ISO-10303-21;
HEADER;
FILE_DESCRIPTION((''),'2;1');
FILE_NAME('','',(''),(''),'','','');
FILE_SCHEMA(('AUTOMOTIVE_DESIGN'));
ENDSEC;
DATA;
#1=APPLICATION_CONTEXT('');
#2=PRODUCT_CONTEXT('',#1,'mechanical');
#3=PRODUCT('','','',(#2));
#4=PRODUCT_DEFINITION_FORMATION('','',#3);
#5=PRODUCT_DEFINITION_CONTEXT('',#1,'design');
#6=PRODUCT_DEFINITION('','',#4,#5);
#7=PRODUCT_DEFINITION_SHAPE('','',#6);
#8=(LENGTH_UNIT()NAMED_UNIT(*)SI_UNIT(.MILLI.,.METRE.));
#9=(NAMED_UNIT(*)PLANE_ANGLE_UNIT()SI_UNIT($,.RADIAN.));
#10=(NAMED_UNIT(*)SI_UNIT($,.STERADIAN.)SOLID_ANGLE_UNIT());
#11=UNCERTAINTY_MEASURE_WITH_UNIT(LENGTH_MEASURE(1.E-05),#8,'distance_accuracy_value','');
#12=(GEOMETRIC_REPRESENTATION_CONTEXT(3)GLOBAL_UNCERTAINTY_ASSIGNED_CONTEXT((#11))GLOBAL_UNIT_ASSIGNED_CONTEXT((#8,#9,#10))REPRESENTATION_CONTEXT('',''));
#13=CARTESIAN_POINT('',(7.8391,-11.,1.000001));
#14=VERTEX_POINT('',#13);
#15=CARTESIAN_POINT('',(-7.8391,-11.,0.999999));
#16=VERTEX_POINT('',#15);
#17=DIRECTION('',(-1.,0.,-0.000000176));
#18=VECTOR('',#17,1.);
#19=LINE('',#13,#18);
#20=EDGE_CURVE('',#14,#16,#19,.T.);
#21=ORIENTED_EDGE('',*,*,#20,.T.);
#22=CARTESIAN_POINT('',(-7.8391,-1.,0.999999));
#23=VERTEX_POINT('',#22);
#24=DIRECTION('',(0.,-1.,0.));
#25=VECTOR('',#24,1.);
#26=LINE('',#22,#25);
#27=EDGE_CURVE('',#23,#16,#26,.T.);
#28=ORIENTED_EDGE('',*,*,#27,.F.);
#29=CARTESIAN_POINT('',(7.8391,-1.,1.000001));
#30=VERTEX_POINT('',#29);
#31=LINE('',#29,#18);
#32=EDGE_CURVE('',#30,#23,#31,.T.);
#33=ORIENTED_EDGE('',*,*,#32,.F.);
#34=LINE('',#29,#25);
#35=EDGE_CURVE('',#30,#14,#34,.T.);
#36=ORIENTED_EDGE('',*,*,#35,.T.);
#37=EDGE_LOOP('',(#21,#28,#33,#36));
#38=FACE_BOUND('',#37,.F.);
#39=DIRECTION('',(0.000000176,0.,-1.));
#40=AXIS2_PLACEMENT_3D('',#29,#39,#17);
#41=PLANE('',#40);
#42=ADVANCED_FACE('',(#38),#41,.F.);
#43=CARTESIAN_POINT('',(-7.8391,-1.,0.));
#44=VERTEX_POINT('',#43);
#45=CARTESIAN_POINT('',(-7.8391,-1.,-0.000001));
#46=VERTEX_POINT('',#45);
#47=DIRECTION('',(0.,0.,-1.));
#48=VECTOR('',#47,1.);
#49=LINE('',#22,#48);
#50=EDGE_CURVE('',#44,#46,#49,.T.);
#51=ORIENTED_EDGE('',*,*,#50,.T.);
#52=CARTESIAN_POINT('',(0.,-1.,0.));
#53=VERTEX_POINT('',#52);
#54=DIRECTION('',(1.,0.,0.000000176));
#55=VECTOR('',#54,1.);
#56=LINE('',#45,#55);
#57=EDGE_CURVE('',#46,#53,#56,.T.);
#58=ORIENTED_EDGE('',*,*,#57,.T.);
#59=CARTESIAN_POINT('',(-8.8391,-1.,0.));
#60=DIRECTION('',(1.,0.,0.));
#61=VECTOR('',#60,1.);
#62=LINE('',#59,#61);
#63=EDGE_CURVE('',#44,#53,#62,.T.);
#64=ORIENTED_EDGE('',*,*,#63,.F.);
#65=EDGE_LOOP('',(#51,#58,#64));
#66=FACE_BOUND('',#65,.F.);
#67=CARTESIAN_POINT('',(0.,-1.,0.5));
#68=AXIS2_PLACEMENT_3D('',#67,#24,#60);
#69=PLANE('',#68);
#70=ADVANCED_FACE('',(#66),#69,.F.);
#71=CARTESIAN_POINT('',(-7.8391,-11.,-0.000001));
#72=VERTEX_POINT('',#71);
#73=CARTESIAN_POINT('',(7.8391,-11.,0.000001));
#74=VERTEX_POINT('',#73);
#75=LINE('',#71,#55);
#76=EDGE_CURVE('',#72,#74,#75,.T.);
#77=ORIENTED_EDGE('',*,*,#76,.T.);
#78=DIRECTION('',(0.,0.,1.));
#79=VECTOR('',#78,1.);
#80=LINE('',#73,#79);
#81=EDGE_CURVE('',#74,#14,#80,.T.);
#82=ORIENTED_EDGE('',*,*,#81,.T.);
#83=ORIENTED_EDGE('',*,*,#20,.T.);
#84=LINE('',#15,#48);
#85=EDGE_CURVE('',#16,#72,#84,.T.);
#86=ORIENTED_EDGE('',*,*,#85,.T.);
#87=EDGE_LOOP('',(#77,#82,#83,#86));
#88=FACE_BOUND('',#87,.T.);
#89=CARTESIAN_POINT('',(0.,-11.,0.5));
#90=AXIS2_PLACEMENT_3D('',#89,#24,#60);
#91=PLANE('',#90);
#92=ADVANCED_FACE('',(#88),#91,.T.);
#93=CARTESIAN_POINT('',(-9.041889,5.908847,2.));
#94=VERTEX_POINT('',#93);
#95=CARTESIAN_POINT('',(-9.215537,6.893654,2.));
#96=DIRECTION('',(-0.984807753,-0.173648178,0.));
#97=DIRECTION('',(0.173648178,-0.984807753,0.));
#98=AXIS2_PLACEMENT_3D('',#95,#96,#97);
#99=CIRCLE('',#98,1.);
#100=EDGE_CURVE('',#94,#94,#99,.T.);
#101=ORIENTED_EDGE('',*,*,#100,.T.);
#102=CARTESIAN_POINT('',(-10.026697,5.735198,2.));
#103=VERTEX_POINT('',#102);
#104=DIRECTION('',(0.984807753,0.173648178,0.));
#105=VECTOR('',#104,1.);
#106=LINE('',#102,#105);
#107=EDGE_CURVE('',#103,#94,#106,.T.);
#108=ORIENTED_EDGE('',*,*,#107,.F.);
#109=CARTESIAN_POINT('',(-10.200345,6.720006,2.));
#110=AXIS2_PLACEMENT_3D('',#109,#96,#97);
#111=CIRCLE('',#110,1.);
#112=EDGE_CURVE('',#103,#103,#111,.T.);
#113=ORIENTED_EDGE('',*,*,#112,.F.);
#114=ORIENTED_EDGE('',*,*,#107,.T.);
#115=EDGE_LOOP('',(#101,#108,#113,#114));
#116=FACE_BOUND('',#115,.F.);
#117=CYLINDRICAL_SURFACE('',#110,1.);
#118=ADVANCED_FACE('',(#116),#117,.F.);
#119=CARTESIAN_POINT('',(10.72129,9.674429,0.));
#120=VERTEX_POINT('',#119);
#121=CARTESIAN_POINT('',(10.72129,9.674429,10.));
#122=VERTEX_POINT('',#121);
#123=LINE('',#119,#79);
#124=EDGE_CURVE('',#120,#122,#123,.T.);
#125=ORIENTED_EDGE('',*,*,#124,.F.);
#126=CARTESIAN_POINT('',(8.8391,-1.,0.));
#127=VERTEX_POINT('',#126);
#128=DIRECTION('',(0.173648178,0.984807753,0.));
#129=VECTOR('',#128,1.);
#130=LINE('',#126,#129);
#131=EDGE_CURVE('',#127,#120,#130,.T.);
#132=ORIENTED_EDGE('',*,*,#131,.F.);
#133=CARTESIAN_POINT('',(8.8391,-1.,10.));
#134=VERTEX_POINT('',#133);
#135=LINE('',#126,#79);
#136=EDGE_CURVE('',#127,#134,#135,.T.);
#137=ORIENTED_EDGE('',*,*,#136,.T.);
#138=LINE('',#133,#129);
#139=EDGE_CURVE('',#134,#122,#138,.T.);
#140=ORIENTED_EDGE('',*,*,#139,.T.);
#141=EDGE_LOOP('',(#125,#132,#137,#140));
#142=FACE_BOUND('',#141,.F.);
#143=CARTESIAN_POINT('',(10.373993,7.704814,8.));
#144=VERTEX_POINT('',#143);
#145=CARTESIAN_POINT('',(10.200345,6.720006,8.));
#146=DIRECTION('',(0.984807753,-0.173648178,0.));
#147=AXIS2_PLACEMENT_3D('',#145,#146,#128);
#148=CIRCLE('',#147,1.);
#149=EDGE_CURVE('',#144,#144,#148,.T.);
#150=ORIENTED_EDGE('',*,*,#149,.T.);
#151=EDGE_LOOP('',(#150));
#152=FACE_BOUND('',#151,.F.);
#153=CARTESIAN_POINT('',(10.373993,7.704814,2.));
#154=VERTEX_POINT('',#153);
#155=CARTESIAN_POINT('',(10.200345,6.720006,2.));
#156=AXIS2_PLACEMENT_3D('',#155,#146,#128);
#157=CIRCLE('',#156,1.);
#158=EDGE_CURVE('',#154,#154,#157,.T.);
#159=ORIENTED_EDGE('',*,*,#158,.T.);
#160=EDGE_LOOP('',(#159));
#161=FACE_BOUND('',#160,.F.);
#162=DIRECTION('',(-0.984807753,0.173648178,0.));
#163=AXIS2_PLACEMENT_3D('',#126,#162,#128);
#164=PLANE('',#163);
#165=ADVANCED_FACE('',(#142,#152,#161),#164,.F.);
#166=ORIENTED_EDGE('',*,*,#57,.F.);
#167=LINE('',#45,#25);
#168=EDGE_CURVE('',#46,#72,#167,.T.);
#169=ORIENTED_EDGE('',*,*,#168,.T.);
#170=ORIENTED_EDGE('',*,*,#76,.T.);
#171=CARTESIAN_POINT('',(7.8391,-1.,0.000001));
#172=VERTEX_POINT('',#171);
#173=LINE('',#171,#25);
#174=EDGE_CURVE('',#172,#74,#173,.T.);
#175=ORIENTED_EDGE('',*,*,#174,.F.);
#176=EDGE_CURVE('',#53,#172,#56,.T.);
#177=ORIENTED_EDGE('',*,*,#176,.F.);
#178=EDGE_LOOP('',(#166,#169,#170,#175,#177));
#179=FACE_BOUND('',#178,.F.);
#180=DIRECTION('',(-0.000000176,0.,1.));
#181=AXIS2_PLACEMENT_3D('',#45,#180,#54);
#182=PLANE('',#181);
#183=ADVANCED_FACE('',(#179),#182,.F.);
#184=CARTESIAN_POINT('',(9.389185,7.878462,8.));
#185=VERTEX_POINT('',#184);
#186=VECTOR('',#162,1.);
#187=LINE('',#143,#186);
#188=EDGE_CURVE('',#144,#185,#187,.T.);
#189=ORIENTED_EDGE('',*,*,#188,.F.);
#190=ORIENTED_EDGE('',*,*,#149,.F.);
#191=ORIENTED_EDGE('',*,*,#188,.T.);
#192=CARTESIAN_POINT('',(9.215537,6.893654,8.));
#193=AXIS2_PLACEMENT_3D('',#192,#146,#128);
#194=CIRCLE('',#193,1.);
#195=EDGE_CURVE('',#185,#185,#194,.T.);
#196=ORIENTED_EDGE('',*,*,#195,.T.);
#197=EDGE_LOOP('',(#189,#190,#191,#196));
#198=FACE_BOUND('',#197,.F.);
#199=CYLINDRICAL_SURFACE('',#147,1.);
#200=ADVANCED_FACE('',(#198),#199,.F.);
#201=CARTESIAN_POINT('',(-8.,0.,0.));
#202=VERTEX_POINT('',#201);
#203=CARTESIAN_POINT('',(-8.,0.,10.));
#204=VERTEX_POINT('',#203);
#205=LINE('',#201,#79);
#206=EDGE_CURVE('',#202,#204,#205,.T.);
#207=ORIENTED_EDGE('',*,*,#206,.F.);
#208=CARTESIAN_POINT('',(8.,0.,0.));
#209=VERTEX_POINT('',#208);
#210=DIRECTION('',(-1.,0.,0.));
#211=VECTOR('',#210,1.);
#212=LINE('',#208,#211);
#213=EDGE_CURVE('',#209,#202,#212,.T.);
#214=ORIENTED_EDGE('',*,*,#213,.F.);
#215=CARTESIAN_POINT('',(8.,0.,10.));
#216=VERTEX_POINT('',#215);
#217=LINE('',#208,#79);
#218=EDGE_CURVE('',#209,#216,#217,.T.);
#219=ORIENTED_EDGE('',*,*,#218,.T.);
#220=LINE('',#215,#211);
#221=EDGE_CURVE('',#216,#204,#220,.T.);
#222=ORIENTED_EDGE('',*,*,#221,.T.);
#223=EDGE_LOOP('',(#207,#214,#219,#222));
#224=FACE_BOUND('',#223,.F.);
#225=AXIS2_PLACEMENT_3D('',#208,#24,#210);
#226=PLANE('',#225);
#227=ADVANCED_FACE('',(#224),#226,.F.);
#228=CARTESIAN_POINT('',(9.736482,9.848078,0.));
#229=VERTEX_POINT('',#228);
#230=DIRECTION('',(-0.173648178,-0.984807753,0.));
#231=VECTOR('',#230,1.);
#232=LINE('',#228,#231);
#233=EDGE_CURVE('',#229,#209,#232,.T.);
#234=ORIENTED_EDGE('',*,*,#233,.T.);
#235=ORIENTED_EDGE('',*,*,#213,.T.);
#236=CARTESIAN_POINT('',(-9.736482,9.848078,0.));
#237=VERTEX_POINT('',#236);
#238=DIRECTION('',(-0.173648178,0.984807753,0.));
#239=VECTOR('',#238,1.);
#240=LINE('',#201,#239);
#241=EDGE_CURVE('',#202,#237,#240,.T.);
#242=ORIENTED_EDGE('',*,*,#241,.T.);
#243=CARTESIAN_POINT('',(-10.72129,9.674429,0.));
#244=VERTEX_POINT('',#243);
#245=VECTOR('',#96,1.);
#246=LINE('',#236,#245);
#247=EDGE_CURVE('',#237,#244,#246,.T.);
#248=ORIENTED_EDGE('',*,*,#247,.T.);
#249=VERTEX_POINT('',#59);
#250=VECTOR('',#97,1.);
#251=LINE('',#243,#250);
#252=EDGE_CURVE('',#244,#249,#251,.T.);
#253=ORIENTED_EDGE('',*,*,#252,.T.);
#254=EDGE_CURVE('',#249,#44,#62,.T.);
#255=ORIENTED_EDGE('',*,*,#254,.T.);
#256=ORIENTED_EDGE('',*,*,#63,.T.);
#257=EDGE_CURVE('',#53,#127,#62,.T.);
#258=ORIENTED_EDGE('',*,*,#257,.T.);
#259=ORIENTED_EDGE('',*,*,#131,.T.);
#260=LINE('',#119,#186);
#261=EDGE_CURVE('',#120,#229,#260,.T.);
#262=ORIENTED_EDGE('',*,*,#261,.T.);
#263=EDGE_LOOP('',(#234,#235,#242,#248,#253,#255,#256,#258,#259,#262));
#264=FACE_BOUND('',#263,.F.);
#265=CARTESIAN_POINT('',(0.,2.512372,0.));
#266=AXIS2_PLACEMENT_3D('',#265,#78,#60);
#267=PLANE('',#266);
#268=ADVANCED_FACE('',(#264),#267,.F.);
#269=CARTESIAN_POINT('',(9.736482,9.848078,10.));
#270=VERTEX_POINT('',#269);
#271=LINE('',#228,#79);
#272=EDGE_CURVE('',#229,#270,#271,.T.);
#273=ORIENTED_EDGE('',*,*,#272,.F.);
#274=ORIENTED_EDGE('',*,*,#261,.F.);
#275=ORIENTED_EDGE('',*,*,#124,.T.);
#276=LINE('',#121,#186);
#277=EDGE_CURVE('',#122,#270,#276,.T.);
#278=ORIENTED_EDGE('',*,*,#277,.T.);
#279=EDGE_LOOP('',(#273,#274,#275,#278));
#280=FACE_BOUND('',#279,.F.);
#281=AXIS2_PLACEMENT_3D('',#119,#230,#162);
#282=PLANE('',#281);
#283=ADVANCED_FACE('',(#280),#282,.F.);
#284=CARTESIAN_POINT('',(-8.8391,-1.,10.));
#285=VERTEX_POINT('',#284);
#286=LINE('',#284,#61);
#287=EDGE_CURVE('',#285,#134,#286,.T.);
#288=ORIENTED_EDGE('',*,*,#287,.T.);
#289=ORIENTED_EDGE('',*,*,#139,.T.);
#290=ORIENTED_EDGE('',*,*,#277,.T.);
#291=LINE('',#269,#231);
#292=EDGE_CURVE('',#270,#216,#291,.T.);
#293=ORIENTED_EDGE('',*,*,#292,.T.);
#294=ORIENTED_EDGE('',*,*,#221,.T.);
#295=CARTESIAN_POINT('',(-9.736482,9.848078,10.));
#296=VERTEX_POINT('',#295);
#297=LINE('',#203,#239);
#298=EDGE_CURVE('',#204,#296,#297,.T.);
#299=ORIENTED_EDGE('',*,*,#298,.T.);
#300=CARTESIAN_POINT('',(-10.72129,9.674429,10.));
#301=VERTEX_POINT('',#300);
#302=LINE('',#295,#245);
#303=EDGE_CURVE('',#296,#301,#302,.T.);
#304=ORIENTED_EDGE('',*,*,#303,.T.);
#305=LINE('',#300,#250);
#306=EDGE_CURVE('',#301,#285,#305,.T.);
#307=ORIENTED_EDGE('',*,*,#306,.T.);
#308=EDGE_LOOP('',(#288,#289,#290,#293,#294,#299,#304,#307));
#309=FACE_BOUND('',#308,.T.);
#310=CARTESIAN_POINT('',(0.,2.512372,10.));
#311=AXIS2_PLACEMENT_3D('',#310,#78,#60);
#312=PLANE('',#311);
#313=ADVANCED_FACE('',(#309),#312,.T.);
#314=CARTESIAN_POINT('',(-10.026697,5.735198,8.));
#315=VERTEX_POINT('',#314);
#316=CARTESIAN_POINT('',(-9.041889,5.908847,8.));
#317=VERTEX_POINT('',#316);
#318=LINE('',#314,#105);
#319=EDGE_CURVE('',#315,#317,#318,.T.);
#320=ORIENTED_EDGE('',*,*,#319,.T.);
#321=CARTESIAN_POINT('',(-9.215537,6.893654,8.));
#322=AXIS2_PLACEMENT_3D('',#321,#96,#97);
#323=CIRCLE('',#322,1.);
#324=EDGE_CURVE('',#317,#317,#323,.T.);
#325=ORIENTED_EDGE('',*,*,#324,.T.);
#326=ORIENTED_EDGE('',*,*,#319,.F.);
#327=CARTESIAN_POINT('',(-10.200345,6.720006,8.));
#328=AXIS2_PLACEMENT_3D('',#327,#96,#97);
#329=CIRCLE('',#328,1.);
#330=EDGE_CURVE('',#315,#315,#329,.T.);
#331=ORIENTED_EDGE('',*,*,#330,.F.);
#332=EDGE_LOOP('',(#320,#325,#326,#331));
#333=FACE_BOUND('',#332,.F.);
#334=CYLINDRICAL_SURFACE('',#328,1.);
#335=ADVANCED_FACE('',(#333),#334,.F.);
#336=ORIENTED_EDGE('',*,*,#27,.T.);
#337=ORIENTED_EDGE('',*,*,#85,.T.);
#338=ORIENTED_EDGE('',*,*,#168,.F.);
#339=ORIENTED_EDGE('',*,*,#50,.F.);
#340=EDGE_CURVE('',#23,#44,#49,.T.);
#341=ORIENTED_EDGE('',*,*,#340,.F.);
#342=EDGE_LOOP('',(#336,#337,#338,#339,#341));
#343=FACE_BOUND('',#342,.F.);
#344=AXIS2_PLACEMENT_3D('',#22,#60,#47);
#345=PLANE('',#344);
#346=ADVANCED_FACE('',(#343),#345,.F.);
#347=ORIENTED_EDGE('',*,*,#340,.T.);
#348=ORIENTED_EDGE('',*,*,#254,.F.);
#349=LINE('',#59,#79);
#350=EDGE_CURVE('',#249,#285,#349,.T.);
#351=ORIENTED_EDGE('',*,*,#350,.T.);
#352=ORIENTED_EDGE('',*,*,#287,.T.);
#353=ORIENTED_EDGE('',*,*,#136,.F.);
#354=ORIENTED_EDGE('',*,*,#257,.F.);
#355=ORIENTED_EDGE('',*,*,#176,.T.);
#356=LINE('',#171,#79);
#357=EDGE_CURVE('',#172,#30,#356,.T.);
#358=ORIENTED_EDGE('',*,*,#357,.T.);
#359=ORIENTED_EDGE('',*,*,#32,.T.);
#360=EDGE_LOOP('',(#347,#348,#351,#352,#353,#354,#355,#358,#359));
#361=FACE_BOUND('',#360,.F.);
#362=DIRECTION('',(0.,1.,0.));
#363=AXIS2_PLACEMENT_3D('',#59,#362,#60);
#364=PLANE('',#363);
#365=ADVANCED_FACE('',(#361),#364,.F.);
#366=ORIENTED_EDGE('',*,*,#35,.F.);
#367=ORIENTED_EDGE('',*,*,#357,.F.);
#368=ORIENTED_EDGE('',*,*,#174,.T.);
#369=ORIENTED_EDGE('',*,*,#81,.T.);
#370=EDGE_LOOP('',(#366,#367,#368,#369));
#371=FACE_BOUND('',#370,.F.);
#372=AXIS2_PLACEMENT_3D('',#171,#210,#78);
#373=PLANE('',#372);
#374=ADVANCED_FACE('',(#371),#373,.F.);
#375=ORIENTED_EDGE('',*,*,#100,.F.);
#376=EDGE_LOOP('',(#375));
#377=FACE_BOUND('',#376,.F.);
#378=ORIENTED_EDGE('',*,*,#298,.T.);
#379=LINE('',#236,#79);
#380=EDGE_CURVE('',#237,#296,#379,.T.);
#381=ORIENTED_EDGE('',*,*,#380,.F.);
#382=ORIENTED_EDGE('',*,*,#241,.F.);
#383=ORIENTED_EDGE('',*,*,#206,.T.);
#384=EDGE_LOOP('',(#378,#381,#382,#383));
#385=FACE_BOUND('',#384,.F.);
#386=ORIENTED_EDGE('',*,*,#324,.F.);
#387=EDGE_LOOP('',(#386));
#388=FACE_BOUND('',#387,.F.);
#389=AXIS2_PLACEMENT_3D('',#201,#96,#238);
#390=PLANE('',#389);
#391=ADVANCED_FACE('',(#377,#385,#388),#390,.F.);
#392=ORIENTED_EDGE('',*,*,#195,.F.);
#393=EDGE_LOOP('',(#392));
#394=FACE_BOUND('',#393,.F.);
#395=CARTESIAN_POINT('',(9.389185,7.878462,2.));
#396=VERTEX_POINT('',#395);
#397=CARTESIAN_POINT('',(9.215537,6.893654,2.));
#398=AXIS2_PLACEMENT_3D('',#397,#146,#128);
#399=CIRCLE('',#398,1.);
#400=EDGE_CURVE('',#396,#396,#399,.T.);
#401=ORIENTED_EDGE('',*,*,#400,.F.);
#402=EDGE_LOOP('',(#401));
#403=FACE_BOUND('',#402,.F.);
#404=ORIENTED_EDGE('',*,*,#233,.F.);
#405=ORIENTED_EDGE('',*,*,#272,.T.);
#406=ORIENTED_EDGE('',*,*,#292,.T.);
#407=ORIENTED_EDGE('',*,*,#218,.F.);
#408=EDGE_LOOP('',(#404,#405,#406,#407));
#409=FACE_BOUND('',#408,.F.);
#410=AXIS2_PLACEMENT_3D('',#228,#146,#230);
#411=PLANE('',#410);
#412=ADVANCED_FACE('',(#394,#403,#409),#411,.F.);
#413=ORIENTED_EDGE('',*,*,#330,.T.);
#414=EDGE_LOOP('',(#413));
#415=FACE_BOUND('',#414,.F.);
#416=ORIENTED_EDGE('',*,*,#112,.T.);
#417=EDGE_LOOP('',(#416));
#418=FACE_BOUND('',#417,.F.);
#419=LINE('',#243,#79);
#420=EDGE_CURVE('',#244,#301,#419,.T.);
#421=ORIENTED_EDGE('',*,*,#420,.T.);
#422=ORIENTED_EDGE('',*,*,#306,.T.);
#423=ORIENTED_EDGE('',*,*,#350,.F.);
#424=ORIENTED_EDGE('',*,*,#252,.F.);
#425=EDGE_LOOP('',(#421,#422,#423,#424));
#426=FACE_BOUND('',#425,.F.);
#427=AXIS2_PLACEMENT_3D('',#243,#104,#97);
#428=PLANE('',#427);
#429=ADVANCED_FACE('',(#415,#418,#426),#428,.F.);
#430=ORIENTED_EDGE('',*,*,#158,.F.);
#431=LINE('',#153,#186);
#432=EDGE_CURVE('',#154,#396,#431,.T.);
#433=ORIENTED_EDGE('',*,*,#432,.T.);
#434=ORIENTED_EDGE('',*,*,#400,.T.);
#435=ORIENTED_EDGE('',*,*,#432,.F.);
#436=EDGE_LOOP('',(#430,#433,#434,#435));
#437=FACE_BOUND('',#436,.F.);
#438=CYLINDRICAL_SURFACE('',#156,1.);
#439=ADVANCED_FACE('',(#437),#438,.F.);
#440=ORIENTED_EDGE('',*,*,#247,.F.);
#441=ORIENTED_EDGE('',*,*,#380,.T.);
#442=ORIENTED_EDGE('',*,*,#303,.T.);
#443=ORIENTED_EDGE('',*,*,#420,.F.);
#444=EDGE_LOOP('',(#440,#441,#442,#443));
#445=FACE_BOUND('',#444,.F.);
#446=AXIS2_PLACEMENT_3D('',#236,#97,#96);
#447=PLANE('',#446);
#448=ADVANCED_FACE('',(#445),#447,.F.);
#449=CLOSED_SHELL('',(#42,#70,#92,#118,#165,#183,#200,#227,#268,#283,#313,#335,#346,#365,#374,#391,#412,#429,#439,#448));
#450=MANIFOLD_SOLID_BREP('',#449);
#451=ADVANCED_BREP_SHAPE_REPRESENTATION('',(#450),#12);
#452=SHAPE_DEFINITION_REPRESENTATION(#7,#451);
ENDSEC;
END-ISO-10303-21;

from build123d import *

# Parameters (mm, degrees)
F1_DEPTH = 10
F2_R     = 1
F3_DEPTH = 1
F4_R     = 1
F5_DEPTH = 1
F7_DEPTH = 10


with BuildPart() as f1:
    # F0 (on Top) → F1 (new body)
    with BuildSketch(Plane.XY):
        Polygon((8, 0), (0, 0), (-8, 0), (-9.7364817767, 9.8480775301), (-10.7212895297, 9.6744293525), (-8.8390996312, -1), (0, -1), (8.8390996312, -1), (10.7212895297, 9.6744293525), (9.7364817767, 9.8480775301), align=None)
    extrude(amount=F1_DEPTH)

    # F2 (on face) → F3 (cut, through all)
    with BuildSketch(Plane(origin=(-8.7435782362, -1.541728751, 0), x_dir=(0.1736481777, -0.984807753, 0), z_dir=(-0.984807753, -0.1736481777, 0))):
        with Locations((-8.3891854213, 8)):
            Circle(F2_R)
        with Locations((-8.3891854213, 2)):
            Circle(F2_R)
    extrude(amount=-F3_DEPTH, mode=Mode.SUBTRACT)

    # F4 (on face) → F5 (cut, through all)
    with BuildSketch(Plane(origin=(8.7435782362, -1.541728751, 0), x_dir=(0.1736481777, 0.984807753, 0), z_dir=(0.984807753, -0.1736481777, 0))):
        with Locations((8.3891854213, 8)):
            Circle(F4_R)
        with Locations((8.3891854213, 2)):
            Circle(F4_R)
    extrude(amount=-F5_DEPTH, mode=Mode.SUBTRACT)

    # F6 (on face) → F7 (join)
    with BuildSketch(Plane.XZ.offset(1)):
        Polygon((7.8390996312, 1.3758e-06), (7.8390996312, 1.0000013758), (-7.8390996312, 0.9999986242), (-7.8390996312, -1.3758e-06), align=None)
    extrude(amount=F7_DEPTH)


solid = f1.part
